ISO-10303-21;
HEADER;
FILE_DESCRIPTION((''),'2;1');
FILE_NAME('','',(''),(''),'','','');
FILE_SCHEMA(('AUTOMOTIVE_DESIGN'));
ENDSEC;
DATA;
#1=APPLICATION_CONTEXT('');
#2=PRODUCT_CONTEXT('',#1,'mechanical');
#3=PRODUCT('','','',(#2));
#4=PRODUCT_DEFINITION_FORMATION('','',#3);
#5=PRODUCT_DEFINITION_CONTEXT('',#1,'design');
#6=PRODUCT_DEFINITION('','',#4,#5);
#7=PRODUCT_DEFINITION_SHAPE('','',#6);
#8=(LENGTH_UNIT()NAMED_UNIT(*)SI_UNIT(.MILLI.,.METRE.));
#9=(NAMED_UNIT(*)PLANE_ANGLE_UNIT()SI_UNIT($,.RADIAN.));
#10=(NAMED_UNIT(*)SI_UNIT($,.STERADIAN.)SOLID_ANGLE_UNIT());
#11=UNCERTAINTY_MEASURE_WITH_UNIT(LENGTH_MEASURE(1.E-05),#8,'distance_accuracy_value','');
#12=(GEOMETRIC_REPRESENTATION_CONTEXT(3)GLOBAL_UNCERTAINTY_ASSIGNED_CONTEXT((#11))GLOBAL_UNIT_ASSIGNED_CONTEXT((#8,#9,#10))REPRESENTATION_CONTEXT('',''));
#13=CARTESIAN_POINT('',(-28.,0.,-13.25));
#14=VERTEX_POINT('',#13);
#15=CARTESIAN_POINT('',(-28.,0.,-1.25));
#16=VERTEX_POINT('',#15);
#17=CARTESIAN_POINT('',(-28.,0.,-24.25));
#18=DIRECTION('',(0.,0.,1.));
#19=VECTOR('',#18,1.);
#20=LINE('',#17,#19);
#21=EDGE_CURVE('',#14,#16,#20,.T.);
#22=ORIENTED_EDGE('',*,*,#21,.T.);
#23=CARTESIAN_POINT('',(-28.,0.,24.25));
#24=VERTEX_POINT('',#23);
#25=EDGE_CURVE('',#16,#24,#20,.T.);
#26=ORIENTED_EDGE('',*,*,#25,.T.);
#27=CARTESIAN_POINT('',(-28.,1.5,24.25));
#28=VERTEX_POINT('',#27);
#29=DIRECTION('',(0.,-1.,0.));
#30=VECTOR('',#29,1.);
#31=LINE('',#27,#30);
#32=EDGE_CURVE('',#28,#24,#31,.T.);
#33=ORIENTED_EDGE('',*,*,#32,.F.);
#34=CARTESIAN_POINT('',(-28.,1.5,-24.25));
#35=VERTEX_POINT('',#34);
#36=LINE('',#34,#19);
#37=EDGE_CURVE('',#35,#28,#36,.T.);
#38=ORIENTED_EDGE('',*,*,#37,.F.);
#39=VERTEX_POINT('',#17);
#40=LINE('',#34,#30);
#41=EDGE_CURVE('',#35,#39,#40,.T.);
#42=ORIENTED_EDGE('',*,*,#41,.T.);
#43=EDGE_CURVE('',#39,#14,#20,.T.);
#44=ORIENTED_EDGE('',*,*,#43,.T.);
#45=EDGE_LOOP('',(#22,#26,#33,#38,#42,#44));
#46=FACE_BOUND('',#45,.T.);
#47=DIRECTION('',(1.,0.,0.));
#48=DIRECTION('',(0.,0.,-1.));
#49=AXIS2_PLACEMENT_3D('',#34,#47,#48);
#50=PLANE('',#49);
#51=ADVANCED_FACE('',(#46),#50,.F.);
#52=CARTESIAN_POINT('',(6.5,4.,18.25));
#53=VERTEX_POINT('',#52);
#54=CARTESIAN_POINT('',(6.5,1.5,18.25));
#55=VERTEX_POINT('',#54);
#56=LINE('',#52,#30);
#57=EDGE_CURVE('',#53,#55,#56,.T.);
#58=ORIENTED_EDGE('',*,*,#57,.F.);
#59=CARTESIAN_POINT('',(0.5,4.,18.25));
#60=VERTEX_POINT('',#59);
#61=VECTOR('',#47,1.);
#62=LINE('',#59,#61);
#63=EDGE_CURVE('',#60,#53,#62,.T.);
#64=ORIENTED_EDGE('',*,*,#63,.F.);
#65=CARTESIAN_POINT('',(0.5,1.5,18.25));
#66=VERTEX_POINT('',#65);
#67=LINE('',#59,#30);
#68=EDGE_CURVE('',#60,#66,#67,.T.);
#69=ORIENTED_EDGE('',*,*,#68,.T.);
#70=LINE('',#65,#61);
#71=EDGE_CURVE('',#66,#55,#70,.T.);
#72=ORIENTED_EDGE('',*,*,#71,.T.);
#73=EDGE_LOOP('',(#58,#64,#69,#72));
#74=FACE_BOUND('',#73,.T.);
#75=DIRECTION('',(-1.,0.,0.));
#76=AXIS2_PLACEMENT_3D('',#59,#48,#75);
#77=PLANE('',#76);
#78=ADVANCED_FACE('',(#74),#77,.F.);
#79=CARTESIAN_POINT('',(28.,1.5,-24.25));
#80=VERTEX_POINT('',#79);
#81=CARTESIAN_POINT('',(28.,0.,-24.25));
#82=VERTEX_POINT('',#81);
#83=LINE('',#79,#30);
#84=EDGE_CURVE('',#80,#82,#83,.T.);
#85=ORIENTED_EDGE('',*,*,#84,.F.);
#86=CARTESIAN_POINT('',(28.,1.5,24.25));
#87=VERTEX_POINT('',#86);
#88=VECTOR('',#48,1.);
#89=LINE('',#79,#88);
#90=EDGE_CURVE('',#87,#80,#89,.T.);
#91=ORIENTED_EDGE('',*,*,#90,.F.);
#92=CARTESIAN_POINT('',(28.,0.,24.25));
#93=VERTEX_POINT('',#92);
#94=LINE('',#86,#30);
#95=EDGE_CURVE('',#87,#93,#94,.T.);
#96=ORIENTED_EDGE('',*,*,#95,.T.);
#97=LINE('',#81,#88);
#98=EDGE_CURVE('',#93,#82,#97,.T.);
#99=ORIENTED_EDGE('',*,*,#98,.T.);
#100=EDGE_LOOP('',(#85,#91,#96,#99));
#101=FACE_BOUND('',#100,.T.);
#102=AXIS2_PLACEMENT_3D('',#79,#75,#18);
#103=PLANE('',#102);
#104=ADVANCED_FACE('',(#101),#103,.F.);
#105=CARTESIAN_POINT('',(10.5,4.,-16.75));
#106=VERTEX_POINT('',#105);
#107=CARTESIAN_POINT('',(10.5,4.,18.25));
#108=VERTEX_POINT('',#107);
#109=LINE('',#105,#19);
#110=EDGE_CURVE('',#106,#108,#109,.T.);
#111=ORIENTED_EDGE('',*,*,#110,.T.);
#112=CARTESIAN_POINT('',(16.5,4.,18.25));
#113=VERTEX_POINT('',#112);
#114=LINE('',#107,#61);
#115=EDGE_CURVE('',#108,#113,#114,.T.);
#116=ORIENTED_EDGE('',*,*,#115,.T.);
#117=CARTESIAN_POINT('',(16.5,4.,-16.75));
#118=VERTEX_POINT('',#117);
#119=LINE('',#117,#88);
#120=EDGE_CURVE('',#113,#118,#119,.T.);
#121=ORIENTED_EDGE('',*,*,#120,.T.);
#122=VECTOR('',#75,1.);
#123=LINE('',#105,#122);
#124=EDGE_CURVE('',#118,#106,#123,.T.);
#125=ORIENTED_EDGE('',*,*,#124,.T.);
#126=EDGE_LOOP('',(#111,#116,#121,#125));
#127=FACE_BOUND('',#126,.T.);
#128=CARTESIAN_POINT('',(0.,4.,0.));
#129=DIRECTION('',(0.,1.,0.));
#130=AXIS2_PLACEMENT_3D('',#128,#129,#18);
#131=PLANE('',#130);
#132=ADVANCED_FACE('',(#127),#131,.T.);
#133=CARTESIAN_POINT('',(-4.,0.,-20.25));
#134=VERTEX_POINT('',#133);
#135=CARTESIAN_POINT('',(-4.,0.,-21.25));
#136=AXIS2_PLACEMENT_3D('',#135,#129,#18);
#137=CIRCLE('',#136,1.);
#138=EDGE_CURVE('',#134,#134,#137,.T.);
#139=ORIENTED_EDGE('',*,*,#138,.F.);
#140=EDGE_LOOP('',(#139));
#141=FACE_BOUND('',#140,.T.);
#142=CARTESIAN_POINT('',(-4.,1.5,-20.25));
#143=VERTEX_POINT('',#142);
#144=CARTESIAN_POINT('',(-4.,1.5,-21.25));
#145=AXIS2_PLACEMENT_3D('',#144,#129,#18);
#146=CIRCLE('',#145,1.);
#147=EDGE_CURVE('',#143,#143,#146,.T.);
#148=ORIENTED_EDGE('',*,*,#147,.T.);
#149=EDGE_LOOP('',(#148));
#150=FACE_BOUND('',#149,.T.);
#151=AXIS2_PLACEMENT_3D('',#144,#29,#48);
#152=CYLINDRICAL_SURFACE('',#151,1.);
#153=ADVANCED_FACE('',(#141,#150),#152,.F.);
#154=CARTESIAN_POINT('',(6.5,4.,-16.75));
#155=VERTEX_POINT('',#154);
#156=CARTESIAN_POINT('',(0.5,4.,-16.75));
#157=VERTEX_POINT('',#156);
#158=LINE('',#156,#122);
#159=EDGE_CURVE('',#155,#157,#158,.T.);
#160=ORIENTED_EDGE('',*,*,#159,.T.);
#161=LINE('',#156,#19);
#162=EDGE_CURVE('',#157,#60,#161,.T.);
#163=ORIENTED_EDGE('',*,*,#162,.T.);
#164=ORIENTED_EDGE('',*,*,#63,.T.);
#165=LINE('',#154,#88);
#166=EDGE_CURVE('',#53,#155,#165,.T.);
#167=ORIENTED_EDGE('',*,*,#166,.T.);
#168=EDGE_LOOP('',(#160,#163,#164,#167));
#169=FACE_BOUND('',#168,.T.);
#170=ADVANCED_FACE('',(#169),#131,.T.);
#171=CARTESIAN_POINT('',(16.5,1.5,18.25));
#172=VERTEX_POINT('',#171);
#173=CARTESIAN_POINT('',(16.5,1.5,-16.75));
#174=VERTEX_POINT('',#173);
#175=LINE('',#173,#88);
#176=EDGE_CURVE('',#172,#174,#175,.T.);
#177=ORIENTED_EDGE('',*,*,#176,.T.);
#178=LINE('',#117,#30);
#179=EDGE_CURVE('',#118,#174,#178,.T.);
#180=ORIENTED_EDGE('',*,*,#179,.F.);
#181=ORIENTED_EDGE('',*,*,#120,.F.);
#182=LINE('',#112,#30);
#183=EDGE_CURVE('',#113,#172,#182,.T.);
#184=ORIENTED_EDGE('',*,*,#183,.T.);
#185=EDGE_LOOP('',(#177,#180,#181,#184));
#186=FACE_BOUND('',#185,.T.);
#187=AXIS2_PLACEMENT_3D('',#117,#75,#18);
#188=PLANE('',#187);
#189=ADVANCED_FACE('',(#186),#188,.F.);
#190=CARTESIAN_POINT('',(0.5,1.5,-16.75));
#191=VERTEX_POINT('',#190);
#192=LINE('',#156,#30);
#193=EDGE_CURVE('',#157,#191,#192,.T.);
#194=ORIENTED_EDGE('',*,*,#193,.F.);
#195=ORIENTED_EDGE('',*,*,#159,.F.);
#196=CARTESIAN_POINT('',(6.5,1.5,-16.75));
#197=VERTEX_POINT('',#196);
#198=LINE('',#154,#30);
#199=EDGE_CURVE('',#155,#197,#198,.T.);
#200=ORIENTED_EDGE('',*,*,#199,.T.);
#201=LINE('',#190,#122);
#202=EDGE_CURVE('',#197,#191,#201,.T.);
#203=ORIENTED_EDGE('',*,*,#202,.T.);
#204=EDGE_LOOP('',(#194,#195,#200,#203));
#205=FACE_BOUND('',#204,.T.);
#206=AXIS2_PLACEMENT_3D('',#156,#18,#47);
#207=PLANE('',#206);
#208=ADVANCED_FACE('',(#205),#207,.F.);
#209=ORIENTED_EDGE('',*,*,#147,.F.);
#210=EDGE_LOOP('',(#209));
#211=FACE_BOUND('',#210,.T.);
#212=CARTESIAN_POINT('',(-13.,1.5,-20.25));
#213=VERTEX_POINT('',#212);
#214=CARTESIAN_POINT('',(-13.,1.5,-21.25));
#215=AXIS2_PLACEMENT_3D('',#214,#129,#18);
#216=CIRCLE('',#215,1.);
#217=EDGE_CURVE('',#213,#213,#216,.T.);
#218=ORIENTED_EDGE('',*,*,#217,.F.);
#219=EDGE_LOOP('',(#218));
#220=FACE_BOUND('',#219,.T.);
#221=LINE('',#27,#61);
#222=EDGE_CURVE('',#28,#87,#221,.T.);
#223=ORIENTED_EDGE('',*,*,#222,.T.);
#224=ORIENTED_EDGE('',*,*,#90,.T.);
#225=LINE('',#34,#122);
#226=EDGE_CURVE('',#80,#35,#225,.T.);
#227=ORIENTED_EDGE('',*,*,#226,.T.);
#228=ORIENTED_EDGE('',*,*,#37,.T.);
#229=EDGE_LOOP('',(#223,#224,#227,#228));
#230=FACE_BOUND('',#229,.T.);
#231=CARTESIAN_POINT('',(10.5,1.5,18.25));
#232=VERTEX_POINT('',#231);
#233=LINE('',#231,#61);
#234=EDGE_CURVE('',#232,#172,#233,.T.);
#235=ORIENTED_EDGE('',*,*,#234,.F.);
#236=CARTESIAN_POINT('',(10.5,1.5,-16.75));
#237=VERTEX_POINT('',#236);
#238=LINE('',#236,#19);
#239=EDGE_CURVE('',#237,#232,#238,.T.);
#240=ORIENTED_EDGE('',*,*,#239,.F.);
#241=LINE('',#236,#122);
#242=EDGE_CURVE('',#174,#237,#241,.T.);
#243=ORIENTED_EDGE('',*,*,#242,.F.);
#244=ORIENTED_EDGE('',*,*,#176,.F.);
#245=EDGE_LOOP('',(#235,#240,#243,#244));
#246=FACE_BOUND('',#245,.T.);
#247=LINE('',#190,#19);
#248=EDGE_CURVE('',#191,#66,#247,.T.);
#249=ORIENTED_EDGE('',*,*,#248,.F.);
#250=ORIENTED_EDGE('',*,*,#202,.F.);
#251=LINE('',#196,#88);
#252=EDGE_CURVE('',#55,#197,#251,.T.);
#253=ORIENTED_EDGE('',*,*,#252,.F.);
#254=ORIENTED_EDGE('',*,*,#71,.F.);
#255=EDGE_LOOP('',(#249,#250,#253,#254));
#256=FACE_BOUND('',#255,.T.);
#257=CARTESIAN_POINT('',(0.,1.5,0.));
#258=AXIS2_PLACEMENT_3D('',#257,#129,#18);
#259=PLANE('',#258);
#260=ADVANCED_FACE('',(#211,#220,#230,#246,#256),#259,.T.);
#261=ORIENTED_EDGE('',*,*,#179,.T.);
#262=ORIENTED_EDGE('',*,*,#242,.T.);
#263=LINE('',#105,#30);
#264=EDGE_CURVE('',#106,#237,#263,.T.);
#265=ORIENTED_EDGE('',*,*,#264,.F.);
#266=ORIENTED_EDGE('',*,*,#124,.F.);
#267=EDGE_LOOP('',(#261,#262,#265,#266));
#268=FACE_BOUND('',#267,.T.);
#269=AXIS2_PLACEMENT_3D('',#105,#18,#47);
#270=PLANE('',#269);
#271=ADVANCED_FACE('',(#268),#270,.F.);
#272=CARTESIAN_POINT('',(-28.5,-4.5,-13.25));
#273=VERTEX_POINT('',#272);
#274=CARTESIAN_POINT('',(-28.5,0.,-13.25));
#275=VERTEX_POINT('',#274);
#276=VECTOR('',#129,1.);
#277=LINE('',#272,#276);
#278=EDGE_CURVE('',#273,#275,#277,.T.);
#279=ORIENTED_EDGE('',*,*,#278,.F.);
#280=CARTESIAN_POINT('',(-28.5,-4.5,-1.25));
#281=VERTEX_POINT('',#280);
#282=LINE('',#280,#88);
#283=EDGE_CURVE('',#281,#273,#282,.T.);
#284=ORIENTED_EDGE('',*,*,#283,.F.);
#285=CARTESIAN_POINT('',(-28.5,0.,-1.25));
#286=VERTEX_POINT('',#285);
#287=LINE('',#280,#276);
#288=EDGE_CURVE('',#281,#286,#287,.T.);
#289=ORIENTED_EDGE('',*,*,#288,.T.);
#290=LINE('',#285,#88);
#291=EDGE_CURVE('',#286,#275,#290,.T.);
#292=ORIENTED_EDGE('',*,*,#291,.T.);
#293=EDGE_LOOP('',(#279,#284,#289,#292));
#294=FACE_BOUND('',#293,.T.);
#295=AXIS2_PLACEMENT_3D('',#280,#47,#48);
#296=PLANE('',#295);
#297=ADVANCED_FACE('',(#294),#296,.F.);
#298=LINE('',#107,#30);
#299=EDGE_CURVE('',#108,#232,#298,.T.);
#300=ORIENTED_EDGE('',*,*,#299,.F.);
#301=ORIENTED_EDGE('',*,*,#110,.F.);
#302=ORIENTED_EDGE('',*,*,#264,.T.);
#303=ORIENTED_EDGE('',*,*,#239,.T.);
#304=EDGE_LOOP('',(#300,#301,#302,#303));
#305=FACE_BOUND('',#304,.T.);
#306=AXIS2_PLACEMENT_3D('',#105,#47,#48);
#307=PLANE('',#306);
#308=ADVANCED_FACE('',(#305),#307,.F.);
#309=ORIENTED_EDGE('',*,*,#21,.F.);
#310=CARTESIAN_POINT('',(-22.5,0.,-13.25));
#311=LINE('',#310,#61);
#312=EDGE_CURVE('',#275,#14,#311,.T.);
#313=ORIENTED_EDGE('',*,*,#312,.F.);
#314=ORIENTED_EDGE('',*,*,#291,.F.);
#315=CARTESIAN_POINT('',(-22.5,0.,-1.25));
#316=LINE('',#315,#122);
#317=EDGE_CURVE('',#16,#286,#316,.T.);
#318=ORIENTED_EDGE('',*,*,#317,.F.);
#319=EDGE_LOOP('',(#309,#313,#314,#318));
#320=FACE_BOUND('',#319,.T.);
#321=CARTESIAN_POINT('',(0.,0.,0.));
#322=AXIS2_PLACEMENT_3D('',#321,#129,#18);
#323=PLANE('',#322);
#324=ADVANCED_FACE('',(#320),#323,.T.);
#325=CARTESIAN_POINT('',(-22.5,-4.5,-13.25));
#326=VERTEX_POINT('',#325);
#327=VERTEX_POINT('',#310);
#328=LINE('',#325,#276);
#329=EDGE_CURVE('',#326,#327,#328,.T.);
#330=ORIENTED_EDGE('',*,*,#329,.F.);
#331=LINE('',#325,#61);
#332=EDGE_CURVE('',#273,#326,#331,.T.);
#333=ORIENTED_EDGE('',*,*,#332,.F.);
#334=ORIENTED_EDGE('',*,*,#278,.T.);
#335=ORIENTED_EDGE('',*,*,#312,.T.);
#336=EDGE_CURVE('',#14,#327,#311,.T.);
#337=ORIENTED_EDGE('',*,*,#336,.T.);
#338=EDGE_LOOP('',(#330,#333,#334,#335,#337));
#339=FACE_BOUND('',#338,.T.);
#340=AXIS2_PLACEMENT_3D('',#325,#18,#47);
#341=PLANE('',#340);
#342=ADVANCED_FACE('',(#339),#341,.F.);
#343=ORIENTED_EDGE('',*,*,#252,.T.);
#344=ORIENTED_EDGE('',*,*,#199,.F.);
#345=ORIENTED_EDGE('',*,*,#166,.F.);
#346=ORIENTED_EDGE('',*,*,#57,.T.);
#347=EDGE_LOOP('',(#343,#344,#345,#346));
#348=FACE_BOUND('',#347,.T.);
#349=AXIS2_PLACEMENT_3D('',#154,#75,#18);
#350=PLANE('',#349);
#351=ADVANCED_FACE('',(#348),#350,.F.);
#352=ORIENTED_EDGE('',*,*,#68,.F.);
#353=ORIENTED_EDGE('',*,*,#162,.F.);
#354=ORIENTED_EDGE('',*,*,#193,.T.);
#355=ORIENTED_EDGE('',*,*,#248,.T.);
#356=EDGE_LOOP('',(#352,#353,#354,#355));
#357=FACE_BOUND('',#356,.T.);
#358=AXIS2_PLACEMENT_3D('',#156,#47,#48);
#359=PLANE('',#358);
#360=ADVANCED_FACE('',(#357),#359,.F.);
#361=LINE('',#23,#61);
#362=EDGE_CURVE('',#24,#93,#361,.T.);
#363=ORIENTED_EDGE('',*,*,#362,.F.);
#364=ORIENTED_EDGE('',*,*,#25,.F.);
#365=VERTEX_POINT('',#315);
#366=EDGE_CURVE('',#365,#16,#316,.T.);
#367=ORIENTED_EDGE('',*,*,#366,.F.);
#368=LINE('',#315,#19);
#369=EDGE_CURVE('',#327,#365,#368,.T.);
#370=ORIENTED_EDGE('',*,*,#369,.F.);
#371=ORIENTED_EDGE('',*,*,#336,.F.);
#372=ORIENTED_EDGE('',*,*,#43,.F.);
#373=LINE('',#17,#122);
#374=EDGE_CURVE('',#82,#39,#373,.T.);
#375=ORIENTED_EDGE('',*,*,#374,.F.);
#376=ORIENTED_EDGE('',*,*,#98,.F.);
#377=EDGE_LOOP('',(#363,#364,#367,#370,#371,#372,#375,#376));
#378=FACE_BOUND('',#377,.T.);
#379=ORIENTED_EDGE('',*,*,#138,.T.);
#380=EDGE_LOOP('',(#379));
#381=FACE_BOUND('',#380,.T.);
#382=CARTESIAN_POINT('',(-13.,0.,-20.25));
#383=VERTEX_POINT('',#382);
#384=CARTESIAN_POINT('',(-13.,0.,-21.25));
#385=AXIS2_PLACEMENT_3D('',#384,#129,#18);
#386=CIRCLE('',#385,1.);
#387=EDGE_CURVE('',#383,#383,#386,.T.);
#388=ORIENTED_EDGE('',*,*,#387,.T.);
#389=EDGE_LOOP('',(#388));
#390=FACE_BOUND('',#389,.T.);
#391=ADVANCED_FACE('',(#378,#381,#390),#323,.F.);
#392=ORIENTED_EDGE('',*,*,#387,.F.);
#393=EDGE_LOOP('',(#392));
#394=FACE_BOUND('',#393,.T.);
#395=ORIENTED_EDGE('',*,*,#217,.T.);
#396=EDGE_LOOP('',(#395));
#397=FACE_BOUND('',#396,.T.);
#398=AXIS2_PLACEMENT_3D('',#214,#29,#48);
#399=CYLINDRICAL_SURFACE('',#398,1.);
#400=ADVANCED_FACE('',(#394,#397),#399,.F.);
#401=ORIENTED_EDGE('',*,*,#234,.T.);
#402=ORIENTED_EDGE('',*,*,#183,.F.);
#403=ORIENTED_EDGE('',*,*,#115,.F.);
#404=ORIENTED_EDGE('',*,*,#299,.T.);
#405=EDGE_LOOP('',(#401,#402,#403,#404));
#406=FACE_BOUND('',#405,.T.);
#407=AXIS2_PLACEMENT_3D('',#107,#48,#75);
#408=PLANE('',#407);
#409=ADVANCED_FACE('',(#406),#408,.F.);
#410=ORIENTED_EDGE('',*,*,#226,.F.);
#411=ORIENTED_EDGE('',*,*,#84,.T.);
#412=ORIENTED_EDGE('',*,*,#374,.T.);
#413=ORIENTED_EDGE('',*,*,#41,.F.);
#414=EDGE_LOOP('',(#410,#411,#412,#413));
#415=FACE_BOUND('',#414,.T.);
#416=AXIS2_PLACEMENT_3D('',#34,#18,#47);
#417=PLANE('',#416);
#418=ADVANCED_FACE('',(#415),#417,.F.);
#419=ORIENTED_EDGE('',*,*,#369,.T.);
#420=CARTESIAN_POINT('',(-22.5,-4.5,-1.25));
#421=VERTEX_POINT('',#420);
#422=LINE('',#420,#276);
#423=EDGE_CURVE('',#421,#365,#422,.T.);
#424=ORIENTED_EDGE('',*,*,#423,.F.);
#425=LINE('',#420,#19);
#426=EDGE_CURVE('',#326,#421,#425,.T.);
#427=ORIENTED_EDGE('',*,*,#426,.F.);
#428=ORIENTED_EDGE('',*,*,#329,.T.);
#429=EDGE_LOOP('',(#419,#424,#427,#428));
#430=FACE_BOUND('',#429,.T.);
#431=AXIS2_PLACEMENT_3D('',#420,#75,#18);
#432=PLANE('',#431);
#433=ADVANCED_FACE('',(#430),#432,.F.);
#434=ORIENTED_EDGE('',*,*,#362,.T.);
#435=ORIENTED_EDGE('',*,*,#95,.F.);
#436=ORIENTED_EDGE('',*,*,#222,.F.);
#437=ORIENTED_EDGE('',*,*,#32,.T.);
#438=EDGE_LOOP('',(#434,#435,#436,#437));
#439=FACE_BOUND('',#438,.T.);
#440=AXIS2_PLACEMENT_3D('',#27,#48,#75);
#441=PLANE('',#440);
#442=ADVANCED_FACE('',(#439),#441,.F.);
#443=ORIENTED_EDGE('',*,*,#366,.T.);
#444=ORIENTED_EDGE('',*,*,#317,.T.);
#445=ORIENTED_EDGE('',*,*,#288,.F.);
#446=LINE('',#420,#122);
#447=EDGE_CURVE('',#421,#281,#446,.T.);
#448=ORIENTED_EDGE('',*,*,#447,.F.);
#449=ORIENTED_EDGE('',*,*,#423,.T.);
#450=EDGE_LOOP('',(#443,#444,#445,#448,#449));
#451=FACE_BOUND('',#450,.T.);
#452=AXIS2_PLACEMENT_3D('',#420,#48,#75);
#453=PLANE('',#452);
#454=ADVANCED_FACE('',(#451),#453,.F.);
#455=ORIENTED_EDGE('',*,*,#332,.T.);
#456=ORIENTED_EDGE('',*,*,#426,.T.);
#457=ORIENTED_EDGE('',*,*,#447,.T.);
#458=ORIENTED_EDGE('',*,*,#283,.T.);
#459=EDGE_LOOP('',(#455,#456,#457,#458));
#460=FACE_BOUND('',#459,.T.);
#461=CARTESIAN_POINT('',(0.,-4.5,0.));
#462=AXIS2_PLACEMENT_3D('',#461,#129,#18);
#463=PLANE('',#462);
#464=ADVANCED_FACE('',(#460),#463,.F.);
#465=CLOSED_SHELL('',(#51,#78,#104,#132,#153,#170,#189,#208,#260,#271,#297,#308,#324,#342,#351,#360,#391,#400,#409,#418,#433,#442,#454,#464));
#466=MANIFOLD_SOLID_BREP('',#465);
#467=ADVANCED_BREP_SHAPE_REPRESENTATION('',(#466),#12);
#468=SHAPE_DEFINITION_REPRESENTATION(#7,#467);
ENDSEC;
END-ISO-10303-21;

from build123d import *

# Parameters (mm, degrees)
SKETCH_1_W      = 56
SKETCH_1_H      = 48.5
SKETCH_1_R      = 1
EXTRUDE_1_DEPTH = 1.5
SKETCH_2_W      = 6
SKETCH_2_H      = 35
EXTRUDE_2_DEPTH = 2.5
SKETCH_3_W      = 6
SKETCH_3_H      = 12
EXTRUDE_3_DEPTH = 4.5


with BuildPart() as part:
    # Эскиз1 → Бобышка-Вытянуть1 (new body)
    with BuildSketch(Plane(origin=(0, 0, 0), x_dir=(1, 0, 0), z_dir=(0, 1, 0))):
        Rectangle(SKETCH_1_W, SKETCH_1_H)
        with Locations(Location((-13, 21.25, 0), (0, 0, 270))):
            Circle(SKETCH_1_R, mode=Mode.SUBTRACT)
        with Locations(Location((-4, 21.25, 0), (0, 0, 270))):
            Circle(SKETCH_1_R, mode=Mode.SUBTRACT)
    extrude(amount=EXTRUDE_1_DEPTH)

    # Эскиз2 → Бобышка-Вытянуть2 (add)
    with BuildSketch(Plane(origin=(0, 1.5, 0), x_dir=(1, 0, 0), z_dir=(0, 1, 0))):
        with Locations((3.5, -0.75)):
            Rectangle(SKETCH_2_W, SKETCH_2_H)
        with Locations((13.5, -0.75)):
            Rectangle(SKETCH_2_W, SKETCH_2_H)
    extrude(amount=EXTRUDE_2_DEPTH)

    # Эскиз3 → Бобышка-Вытянуть3 (add)
    with BuildSketch(Plane.XZ):
        with Locations((-25.5, -7.25)):
            Rectangle(SKETCH_3_W, SKETCH_3_H)
    extrude(amount=EXTRUDE_3_DEPTH)


solid = part.part
